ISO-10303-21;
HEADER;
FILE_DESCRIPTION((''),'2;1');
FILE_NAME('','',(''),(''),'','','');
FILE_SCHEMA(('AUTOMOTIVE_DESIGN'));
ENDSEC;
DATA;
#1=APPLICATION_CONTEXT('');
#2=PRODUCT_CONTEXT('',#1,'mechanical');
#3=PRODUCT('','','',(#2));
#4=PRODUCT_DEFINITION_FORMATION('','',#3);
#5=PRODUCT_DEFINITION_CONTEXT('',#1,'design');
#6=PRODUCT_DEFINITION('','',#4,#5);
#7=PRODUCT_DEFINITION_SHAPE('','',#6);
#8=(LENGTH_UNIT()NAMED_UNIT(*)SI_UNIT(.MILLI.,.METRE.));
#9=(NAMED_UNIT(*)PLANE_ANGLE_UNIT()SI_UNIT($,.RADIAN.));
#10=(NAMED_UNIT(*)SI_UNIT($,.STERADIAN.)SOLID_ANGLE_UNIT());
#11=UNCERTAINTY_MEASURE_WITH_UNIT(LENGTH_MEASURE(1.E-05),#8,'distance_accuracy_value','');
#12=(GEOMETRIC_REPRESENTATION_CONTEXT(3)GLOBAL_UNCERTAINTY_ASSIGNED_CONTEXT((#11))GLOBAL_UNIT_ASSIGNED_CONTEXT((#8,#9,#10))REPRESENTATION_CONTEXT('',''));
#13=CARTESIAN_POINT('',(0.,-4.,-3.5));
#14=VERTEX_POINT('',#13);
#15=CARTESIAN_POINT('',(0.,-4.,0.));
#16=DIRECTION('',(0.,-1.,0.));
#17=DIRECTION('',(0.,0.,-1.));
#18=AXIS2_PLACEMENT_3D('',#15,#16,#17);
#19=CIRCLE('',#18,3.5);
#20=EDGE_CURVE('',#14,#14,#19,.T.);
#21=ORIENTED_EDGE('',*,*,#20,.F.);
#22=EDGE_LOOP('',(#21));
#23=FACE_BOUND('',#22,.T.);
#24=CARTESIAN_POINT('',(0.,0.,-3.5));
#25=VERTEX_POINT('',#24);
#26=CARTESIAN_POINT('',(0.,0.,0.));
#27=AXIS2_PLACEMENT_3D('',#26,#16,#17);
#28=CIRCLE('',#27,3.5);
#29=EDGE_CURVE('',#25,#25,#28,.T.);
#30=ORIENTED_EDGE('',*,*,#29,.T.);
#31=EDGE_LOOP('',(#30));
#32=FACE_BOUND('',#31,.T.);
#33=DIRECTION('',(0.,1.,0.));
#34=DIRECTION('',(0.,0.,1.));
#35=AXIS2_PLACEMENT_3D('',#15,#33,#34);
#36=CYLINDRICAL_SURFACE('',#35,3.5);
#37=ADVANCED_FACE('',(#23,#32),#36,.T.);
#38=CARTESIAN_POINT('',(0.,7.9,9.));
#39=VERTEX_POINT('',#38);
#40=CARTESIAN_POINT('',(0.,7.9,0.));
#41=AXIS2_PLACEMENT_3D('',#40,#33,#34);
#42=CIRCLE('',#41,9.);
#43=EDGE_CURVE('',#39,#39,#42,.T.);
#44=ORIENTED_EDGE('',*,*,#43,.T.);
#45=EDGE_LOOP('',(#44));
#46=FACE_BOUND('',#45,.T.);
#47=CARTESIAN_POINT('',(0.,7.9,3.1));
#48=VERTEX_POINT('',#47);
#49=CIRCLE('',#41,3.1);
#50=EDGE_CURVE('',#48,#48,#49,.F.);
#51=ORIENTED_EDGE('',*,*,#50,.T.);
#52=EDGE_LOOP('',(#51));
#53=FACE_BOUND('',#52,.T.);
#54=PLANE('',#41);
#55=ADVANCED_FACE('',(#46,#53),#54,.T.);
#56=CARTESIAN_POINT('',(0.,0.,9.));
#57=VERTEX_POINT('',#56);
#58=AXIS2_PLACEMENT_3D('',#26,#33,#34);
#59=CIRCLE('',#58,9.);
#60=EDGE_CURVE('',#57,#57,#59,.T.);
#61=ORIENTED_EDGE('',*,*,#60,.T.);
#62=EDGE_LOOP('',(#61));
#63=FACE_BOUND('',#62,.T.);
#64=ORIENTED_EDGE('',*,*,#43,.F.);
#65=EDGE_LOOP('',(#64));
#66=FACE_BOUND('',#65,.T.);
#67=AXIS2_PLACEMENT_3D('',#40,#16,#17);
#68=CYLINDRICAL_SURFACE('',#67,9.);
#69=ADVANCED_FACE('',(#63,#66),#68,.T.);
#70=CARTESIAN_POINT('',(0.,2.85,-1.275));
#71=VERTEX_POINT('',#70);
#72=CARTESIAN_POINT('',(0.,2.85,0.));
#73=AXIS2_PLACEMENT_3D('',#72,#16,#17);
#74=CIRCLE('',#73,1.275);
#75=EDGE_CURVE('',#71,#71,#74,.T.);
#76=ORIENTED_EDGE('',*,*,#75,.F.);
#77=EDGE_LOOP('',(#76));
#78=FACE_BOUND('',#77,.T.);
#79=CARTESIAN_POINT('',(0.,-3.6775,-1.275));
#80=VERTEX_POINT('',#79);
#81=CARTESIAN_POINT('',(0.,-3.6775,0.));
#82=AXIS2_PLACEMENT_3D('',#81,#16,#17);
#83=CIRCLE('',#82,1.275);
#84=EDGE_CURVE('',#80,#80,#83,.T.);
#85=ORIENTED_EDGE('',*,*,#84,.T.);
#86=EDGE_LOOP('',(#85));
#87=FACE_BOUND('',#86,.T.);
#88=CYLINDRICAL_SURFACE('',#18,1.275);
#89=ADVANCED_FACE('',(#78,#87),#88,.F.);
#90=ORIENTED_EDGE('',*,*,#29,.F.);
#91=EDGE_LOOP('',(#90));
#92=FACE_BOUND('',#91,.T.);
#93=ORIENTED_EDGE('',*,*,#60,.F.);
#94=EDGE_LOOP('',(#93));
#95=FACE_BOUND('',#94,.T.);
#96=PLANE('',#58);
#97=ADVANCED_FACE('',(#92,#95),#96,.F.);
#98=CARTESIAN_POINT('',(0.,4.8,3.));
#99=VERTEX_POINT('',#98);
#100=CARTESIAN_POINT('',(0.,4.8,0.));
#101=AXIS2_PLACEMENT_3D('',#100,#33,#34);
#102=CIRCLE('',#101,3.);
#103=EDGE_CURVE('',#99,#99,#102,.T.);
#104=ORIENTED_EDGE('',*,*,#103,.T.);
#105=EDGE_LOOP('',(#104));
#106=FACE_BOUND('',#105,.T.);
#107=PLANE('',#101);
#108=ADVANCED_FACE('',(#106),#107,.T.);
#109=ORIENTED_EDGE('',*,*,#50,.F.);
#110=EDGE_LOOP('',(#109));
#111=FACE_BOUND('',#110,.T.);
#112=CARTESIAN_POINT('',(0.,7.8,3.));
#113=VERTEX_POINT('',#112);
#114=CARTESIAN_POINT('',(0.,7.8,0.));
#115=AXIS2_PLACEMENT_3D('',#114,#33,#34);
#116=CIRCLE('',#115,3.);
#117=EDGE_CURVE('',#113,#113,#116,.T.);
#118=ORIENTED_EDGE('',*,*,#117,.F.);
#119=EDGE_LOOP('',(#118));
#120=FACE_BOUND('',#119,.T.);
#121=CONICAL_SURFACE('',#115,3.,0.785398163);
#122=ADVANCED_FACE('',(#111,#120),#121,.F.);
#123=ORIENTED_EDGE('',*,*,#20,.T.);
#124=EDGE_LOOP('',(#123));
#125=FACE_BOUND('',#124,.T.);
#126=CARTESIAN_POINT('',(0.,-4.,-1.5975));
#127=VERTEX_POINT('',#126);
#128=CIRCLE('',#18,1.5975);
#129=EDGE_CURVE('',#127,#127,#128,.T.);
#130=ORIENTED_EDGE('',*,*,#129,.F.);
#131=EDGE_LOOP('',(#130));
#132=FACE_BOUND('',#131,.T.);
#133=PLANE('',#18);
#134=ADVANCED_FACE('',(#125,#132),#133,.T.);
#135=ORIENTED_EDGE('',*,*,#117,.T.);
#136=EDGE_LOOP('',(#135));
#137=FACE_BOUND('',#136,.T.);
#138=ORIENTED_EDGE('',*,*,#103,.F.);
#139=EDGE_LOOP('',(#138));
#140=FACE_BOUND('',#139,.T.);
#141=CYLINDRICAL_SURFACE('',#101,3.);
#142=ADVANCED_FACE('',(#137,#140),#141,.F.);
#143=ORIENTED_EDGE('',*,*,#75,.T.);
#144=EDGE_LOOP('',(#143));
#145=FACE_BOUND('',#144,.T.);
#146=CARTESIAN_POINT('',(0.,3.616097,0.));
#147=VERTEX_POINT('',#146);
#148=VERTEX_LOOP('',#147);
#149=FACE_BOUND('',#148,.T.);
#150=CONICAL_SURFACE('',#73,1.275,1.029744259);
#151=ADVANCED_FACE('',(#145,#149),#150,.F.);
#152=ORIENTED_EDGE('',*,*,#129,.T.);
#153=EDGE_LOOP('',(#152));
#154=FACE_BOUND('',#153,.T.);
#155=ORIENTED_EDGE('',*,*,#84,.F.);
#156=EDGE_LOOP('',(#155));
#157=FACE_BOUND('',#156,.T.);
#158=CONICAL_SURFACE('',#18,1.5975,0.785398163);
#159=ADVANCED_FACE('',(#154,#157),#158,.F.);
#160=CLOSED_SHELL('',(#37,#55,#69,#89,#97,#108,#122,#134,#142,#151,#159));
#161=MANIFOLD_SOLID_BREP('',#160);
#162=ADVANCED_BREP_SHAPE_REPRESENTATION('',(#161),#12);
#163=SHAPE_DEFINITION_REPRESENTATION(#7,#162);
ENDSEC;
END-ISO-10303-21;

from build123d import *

# Parameters (mm, degrees)
SKETCH1_R                                       = 9
BOSS_EXTRUDE1_DEPTH                             = 7.9
SKETCH2_R                                       = 3
CUT_EXTRUDE1_DEPTH                              = 3.1
SKETCH3_R                                       = 3.5
BOSS_EXTRUDE2_DEPTH                             = 4
TAPPED_HOLE_FOR_M2_5X0_45_HELICOIL1_D           = 2.55
TAPPED_HOLE_FOR_M2_5X0_45_HELICOIL1_DEPTH       = 6.85
TAPPED_HOLE_FOR_M2_5X0_45_HELICOIL1_CSINK_D     = 3.195
TAPPED_HOLE_FOR_M2_5X0_45_HELICOIL1_CSINK_ANGLE = 90
TAPPED_HOLE_FOR_M2_5X0_45_HELICOIL1_TIP         = 0.766097289
CHAMFER1_SIZE                                   = 0.1


with BuildPart() as part:
    # Sketch1 → Boss-Extrude1 (new body)
    with BuildSketch(Plane(origin=(0, 0, 0), x_dir=(1, 0, 0), z_dir=(0, 1, 0))):
        Circle(SKETCH1_R)
    extrude(amount=BOSS_EXTRUDE1_DEPTH)

    # Sketch2 → Cut-Extrude1 (cut)
    with BuildSketch(Plane(origin=(0, 7.9, 0), x_dir=(1, 0, 0), z_dir=(0, 1, 0))):
        Circle(SKETCH2_R)
    extrude(amount=-CUT_EXTRUDE1_DEPTH, mode=Mode.SUBTRACT)

    # Sketch3 → Boss-Extrude2 (add)
    with BuildSketch(Plane.XZ):
        Circle(SKETCH3_R)
    extrude(amount=BOSS_EXTRUDE2_DEPTH)

    # Tapped Hole for M2.5x0.45 Helicoil1
    with Locations(Plane(origin=(0, -4, 0), x_dir=(-1, 0, 0), z_dir=(0, -1, 0))):
        with Locations((0, 0)):
            CounterSinkHole(TAPPED_HOLE_FOR_M2_5X0_45_HELICOIL1_D / 2, TAPPED_HOLE_FOR_M2_5X0_45_HELICOIL1_CSINK_D / 2, depth=TAPPED_HOLE_FOR_M2_5X0_45_HELICOIL1_DEPTH, counter_sink_angle=TAPPED_HOLE_FOR_M2_5X0_45_HELICOIL1_CSINK_ANGLE)
            with Locations((0, 0, -(TAPPED_HOLE_FOR_M2_5X0_45_HELICOIL1_DEPTH + TAPPED_HOLE_FOR_M2_5X0_45_HELICOIL1_TIP / 2))):  # 118° drill point
                Cone(0, TAPPED_HOLE_FOR_M2_5X0_45_HELICOIL1_D / 2, TAPPED_HOLE_FOR_M2_5X0_45_HELICOIL1_TIP, mode=Mode.SUBTRACT)

    # Chamfer1
    chamfer1_edges = [part.edges().sort_by_distance(p)[0] for p in [
        (-3, 7.9, 0),
    ]]
    chamfer(chamfer1_edges, length=CHAMFER1_SIZE)


solid = part.part
